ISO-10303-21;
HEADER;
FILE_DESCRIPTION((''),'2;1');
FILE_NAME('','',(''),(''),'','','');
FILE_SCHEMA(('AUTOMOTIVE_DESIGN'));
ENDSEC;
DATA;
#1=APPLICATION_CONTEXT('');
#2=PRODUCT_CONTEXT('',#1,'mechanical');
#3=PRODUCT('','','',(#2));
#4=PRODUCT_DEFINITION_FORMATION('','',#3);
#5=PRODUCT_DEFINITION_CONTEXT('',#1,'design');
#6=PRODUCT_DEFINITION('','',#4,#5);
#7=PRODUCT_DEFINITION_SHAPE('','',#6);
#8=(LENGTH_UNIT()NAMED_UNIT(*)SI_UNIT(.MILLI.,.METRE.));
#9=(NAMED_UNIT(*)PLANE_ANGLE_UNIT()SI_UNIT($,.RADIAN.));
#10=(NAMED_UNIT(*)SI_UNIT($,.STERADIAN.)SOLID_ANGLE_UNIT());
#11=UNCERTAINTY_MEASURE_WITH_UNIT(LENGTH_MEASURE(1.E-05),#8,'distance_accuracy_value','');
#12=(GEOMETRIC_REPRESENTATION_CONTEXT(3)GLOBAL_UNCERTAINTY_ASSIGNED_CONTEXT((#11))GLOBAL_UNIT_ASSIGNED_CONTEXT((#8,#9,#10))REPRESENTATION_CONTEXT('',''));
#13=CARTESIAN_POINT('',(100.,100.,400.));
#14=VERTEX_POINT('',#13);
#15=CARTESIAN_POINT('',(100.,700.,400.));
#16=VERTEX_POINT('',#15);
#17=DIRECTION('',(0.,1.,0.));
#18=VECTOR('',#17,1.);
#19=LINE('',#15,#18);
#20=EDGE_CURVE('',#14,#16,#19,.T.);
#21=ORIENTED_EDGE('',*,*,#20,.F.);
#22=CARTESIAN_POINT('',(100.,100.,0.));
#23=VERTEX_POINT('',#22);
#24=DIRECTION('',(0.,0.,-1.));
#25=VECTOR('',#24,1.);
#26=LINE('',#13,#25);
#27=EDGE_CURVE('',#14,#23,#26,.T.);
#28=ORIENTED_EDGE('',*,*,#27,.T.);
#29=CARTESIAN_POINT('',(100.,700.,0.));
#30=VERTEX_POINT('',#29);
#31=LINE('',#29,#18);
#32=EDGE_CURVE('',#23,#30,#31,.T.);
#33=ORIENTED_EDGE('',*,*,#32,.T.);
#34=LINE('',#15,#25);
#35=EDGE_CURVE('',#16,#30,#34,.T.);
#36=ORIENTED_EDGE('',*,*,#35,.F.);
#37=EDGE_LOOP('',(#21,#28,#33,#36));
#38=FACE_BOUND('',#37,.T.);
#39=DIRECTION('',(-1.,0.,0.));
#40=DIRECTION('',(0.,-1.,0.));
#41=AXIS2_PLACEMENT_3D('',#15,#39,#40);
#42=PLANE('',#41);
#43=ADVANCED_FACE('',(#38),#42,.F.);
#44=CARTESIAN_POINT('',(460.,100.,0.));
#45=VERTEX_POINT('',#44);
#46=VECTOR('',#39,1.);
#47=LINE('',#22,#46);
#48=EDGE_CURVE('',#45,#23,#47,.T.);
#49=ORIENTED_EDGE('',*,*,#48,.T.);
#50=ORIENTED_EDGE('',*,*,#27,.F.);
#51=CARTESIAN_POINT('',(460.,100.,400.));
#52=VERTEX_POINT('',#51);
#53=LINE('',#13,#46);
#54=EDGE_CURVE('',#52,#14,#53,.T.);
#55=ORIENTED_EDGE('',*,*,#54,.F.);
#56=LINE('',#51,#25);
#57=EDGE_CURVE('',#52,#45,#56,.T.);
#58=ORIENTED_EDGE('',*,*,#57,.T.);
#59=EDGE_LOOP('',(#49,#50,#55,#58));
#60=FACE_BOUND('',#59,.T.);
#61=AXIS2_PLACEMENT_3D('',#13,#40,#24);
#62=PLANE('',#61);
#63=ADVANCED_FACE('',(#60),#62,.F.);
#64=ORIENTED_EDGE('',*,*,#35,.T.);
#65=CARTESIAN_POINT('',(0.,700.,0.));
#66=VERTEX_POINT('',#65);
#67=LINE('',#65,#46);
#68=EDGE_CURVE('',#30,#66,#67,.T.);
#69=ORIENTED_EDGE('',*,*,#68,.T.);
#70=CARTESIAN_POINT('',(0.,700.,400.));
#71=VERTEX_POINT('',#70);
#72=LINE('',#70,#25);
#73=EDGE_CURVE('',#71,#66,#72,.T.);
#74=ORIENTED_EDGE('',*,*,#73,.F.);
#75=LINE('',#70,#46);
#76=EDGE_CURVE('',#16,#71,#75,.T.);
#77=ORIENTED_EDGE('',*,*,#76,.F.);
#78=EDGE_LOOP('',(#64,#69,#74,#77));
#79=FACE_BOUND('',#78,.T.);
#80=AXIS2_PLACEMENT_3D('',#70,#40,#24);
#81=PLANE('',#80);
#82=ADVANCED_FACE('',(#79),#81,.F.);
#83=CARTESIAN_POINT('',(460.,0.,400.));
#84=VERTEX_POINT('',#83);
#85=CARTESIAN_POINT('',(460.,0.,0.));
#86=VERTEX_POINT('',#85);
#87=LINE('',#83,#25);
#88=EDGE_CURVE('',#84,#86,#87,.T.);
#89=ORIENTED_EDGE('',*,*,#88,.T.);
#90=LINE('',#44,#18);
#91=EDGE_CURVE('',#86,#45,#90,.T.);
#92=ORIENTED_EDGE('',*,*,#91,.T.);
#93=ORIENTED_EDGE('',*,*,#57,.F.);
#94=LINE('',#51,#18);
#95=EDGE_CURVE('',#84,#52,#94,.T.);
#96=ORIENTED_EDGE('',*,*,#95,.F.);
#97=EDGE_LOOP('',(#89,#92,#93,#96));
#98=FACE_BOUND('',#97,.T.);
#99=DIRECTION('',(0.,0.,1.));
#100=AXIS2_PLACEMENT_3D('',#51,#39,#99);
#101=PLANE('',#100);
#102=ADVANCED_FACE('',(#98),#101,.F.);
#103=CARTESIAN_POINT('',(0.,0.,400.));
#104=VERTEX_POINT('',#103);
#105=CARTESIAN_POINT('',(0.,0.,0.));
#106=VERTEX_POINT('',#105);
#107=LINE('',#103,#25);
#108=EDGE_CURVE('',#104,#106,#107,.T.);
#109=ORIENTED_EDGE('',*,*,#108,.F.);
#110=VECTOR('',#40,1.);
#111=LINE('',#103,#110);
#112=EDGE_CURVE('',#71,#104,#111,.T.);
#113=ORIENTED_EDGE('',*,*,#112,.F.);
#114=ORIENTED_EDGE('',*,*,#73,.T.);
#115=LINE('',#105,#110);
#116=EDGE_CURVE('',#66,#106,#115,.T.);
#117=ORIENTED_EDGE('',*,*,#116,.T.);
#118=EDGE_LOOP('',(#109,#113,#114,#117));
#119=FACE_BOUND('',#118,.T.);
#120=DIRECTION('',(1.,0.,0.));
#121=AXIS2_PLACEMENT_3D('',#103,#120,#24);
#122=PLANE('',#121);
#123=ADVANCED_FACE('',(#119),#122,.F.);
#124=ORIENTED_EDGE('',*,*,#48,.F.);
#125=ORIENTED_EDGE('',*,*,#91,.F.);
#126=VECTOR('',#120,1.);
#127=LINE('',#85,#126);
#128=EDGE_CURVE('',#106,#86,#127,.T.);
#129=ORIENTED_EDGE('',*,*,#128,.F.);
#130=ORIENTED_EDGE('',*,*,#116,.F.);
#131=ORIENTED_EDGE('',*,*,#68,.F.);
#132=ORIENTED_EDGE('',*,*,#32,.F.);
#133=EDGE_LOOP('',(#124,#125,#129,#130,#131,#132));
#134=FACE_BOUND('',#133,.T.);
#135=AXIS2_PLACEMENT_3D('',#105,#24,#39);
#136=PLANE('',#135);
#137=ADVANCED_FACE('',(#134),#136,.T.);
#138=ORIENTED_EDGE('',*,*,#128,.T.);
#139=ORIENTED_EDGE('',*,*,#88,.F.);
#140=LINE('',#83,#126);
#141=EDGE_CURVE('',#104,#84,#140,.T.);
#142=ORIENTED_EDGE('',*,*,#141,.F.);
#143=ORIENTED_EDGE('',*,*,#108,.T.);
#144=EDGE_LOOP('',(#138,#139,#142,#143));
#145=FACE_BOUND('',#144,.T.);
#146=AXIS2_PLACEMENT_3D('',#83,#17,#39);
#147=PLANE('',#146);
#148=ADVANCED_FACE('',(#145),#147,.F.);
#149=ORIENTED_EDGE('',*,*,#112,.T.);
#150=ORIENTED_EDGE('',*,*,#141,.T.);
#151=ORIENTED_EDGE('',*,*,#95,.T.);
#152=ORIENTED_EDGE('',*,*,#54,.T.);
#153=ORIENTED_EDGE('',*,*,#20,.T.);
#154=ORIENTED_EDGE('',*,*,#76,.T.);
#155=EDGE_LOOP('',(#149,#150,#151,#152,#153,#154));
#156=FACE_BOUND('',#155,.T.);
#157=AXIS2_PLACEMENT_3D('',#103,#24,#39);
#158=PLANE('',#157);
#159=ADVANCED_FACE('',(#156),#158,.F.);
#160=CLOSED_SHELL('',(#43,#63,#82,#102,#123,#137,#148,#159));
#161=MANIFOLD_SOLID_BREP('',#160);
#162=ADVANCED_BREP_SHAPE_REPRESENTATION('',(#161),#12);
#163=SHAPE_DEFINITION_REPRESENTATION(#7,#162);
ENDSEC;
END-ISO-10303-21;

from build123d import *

# Parameters (mm, degrees)
RESSALTO_EXTRUS_O1_DEPTH = 400


with BuildPart() as part:
    # Esboço1 → Ressalto-extrusão1 (new body)
    with BuildSketch(Plane.XY):
        Polygon((0, 0), (0, 700), (100, 700), (100, 100), (460, 100), (460, 0), align=None)
    extrude(amount=RESSALTO_EXTRUS_O1_DEPTH)


solid = part.part
